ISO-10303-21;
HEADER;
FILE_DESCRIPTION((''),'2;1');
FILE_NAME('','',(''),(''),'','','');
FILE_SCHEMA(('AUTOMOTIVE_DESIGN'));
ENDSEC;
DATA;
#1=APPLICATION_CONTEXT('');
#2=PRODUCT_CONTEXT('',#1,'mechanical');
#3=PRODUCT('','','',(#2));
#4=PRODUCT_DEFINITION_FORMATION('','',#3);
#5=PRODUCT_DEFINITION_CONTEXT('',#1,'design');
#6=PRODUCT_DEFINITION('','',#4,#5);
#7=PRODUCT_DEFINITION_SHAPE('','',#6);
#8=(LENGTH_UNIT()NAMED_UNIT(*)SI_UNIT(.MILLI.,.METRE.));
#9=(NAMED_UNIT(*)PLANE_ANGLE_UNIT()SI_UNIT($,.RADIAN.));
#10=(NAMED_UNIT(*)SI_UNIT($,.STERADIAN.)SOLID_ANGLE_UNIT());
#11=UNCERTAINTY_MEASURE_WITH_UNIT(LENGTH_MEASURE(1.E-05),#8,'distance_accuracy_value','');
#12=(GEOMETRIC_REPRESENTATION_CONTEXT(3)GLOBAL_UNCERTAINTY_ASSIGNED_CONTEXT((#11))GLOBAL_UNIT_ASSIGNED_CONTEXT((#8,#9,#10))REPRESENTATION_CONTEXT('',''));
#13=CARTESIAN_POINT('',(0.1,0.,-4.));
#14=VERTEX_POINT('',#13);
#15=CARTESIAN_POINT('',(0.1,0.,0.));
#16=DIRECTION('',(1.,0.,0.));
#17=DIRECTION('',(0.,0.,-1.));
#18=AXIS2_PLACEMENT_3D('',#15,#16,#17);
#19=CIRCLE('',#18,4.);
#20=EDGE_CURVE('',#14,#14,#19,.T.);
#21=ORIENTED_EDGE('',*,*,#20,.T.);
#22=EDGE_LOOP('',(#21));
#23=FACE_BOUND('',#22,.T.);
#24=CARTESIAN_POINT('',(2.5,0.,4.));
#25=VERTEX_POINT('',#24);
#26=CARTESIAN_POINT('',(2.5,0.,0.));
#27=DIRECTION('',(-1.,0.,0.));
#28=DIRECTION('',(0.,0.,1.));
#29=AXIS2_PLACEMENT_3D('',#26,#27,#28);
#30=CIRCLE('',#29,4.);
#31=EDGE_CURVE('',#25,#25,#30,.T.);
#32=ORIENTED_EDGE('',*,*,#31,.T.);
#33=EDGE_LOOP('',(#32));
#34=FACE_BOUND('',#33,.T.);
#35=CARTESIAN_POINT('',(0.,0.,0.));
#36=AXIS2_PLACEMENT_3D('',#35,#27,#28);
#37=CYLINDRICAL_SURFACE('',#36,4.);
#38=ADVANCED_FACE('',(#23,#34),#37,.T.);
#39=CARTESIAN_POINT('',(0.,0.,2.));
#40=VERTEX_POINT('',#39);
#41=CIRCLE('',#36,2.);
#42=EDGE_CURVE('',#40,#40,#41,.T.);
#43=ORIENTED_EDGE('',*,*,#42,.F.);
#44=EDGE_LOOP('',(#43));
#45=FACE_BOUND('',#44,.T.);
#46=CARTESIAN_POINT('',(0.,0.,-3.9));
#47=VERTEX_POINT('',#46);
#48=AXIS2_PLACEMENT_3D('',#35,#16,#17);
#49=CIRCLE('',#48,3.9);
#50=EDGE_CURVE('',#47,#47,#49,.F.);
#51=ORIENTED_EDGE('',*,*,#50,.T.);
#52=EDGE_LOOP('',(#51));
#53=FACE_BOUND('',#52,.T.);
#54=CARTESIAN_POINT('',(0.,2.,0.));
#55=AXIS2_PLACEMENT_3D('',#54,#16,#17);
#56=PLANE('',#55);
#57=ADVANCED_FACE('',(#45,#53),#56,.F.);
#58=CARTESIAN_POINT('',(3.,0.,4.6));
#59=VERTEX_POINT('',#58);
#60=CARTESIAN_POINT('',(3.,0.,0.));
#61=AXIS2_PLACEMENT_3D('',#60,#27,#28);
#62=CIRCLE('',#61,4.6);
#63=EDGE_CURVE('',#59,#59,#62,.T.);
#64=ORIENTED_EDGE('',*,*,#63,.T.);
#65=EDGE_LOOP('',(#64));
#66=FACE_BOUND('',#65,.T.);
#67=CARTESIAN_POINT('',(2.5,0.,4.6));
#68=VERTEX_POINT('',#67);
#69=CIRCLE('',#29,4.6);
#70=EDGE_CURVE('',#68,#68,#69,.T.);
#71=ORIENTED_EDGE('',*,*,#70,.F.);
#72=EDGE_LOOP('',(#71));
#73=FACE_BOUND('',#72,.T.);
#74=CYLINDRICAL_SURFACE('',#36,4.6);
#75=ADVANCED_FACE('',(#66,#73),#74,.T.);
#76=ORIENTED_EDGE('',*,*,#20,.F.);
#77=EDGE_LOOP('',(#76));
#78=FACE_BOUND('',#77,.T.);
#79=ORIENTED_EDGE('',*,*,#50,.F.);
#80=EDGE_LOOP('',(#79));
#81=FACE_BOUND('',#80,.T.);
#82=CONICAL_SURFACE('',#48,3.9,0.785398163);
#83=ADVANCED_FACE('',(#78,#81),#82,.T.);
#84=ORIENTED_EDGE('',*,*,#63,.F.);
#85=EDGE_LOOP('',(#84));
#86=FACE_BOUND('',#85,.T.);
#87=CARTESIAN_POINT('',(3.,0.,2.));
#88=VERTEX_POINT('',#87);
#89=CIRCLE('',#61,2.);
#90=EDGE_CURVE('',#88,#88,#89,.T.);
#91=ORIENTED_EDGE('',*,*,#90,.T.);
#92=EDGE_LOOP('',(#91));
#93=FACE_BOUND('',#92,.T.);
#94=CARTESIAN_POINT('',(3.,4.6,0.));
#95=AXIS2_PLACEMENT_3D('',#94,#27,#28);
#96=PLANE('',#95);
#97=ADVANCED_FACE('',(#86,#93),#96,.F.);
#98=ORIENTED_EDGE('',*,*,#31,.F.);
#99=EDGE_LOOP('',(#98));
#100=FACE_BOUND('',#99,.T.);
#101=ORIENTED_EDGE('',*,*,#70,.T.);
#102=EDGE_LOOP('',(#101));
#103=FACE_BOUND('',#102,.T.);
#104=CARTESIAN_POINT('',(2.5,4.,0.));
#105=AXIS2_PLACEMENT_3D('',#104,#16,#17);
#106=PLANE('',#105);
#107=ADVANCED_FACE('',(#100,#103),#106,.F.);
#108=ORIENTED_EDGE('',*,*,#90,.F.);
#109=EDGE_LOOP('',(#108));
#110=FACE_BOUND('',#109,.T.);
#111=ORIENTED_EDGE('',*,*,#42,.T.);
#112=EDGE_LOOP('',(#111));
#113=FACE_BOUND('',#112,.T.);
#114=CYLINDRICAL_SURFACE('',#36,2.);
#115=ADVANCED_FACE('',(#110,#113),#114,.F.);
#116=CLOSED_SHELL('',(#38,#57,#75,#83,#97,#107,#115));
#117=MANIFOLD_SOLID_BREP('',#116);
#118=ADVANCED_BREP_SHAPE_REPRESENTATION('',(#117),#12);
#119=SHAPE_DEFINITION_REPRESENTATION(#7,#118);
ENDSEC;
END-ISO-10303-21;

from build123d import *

# Parameters (mm, degrees)
CHAMFER_1_SIZE = 0.1


with BuildPart() as part:
    # 草图1 → 旋转1 (revolve)
    with BuildSketch(Plane.XY):
        Polygon((0, 2), (0, 4), (2.5, 4), (2.5, 4.6), (3, 4.6), (3, 2), align=None)
    revolve(axis=Axis((0, 0, 0), (1, 0, 0)))

    # 倒角1
    chamfer_1_edges = [part.edges().sort_by_distance(p)[0] for p in [
        (0, -4, 0),
    ]]
    chamfer(chamfer_1_edges, length=CHAMFER_1_SIZE)


solid = part.part
